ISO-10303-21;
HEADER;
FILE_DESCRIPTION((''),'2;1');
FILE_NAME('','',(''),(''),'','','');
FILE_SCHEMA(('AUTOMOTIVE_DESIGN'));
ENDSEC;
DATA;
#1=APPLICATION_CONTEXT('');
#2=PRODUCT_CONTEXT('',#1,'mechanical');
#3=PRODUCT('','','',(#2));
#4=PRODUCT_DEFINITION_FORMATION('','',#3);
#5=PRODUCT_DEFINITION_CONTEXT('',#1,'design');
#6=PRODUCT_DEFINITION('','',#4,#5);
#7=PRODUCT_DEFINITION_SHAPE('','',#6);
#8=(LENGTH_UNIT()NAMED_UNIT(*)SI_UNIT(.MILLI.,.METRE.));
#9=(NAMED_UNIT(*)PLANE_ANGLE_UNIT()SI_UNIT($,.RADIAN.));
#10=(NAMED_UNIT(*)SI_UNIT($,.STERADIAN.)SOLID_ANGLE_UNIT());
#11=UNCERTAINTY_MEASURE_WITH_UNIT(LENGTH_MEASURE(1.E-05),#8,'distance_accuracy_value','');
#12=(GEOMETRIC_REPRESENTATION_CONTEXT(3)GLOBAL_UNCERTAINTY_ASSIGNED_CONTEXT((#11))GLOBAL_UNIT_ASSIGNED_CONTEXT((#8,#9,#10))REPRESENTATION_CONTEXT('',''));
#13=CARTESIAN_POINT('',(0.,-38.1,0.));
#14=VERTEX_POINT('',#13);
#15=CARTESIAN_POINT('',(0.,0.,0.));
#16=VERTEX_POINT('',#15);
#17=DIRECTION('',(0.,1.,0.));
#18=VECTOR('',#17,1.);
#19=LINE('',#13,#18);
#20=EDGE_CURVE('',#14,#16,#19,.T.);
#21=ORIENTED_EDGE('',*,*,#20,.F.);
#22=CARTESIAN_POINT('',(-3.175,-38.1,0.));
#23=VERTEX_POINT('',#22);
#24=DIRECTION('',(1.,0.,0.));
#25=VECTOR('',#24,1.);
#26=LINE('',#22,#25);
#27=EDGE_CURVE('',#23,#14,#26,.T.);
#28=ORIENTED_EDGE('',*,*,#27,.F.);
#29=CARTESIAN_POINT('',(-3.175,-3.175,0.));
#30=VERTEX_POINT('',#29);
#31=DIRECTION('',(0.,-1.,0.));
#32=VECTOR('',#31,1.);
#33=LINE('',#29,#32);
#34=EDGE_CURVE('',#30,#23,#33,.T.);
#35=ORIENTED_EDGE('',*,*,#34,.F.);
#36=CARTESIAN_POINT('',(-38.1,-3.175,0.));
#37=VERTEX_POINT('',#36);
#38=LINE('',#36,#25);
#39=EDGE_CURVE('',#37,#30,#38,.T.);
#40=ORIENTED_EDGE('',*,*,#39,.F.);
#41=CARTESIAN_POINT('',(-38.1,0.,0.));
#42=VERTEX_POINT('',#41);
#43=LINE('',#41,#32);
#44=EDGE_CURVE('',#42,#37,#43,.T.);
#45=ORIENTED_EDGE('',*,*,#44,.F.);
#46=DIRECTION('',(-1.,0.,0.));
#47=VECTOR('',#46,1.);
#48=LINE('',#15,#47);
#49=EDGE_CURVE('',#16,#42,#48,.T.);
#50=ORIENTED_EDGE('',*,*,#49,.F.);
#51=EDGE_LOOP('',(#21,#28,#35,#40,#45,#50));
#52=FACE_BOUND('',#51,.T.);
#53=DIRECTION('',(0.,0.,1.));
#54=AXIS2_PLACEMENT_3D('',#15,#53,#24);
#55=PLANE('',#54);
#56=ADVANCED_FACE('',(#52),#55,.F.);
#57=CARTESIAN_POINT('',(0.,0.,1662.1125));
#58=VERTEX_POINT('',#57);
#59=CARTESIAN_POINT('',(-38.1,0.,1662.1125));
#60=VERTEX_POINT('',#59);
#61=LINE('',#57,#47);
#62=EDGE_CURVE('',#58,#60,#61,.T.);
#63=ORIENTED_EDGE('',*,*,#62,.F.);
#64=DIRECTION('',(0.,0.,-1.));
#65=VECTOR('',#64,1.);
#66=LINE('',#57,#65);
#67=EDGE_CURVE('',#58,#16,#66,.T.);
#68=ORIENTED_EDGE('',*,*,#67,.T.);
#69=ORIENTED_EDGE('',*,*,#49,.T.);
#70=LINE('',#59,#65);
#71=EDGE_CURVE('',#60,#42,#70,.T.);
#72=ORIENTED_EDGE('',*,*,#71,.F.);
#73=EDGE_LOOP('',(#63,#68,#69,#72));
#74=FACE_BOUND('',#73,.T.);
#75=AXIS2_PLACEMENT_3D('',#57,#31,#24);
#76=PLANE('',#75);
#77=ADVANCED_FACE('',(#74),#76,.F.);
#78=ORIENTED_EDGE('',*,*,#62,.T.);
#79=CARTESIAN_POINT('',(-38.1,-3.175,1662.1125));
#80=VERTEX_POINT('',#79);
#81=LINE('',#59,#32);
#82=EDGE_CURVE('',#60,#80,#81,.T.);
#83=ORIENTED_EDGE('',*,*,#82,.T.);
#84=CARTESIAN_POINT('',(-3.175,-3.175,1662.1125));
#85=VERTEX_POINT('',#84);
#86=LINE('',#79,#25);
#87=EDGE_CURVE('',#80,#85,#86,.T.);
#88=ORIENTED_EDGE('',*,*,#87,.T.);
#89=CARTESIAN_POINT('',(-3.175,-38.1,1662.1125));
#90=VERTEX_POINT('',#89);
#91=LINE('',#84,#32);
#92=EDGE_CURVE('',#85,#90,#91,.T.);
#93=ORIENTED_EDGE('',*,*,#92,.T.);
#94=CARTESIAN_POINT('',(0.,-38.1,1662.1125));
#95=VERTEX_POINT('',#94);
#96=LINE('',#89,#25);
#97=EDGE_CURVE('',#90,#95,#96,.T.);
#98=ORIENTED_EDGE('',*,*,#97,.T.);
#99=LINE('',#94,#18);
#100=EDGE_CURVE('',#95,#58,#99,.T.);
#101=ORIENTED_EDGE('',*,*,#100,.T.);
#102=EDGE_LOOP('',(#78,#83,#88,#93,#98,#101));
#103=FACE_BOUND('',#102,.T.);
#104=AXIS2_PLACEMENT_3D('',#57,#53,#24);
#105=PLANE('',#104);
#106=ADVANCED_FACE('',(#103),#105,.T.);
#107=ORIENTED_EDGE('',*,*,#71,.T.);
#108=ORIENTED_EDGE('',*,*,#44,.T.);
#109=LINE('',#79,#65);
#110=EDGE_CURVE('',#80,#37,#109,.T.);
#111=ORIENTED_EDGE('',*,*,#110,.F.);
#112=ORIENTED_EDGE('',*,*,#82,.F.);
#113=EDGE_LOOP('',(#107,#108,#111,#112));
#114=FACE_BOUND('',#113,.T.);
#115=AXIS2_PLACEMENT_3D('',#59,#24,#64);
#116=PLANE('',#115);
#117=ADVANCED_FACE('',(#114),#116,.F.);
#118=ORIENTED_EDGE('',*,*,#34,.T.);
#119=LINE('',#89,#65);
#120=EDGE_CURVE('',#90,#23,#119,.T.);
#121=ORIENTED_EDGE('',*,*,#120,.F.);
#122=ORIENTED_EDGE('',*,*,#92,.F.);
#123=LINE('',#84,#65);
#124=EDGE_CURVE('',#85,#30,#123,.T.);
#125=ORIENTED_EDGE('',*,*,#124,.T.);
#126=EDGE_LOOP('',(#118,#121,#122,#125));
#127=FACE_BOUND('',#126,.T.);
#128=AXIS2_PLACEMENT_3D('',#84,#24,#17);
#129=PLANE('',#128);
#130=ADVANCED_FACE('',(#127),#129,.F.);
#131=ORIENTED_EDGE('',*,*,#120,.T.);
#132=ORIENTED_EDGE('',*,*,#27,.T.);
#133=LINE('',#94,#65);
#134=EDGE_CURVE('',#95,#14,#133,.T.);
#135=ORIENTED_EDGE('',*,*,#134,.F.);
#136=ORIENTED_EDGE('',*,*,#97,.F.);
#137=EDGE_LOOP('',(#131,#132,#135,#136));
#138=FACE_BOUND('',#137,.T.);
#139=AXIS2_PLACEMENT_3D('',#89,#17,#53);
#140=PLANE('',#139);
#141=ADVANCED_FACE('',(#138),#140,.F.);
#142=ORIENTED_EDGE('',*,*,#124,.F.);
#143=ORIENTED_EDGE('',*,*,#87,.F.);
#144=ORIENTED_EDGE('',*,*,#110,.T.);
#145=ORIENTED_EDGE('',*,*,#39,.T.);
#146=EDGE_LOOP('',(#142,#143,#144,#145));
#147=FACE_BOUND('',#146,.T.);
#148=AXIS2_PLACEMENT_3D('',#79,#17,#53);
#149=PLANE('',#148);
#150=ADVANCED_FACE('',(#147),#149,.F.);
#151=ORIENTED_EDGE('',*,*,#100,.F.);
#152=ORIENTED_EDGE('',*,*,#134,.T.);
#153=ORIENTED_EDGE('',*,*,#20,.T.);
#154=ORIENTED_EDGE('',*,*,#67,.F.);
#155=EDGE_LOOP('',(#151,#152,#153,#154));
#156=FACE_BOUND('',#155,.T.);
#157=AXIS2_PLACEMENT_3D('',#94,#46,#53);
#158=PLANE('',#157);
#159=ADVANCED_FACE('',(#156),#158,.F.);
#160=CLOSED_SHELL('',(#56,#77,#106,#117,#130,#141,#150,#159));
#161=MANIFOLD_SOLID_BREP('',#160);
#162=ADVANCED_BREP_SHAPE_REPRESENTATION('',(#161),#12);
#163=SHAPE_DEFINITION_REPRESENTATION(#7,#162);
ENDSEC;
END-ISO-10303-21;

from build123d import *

# Parameters (mm, degrees)
BOSS_EXTRUDE1_DEPTH = 1662.1125


with BuildPart() as part:
    # Sketch1 → Boss-Extrude1 (new body)
    with BuildSketch(Plane.XY):
        Polygon((0, 0), (-38.1, 0), (-38.1, -3.175), (-3.175, -3.175), (-3.175, -38.1), (0, -38.1), align=None)
    extrude(amount=BOSS_EXTRUDE1_DEPTH)


solid = part.part
